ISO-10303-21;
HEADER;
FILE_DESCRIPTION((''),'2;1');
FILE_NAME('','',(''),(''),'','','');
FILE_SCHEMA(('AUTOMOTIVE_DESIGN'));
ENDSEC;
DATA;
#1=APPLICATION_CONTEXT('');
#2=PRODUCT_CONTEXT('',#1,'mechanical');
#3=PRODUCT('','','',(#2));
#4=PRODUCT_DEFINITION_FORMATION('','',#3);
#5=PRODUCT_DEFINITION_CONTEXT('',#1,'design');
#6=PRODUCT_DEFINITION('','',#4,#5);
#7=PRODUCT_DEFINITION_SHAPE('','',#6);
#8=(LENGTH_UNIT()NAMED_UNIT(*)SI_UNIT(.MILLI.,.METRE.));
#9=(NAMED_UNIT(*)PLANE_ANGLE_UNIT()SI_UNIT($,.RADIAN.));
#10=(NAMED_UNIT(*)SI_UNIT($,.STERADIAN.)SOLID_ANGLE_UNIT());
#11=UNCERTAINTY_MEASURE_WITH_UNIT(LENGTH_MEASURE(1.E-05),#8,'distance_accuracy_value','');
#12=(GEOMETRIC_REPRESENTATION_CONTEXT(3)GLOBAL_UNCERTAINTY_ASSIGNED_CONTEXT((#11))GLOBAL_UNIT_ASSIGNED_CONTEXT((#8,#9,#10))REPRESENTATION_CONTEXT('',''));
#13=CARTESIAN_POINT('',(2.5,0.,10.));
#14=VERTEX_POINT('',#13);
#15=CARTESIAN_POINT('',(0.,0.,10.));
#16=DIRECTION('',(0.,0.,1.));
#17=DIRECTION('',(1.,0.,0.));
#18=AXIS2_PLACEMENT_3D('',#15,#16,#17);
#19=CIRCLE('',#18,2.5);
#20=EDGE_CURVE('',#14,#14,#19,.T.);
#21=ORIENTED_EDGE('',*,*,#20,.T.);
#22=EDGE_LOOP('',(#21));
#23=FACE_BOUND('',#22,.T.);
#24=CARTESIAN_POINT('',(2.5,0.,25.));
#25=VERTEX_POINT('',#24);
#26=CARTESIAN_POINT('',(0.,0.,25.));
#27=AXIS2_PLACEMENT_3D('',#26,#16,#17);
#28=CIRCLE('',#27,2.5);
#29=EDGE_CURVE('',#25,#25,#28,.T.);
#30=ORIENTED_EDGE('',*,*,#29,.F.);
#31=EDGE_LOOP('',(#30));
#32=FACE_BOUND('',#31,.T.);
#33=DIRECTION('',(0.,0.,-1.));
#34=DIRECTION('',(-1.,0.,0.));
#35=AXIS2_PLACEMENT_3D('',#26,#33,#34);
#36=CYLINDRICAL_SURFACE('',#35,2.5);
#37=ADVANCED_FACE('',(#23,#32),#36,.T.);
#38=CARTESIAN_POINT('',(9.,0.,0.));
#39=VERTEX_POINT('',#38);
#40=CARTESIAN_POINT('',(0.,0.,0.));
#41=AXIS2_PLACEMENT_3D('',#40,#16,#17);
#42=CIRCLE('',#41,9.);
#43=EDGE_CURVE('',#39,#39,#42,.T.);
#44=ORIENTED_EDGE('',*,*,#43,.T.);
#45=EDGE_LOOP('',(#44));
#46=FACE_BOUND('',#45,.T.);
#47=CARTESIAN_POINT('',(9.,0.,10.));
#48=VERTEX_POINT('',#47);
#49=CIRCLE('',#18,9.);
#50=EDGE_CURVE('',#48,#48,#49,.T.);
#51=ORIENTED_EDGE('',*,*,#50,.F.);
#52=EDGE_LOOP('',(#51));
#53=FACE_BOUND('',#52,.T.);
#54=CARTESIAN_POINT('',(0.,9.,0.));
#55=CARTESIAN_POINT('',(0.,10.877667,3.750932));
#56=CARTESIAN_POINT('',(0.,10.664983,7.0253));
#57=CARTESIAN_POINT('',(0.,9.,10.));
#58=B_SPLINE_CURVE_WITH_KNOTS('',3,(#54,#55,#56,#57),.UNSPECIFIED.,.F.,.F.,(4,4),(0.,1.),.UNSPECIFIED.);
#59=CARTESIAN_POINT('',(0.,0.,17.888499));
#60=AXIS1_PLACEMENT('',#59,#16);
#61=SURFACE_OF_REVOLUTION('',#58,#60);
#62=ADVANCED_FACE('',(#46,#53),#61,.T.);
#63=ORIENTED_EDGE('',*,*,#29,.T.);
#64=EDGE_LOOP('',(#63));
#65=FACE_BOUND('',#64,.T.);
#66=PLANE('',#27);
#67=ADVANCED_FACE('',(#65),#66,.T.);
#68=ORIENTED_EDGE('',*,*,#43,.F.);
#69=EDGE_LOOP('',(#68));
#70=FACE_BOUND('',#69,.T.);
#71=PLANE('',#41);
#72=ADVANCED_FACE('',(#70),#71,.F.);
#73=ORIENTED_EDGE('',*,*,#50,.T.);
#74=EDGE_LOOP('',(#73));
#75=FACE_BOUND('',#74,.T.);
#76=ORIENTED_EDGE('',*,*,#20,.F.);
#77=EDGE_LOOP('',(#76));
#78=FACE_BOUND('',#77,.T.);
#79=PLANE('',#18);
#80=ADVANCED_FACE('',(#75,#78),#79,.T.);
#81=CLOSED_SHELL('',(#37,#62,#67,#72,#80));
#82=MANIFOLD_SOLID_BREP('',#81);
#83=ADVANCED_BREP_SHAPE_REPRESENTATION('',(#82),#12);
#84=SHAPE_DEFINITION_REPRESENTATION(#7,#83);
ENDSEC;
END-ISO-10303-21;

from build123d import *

# Parameters (mm, degrees)
SKETCH1_R           = 9
BOSS_EXTRUDE1_DEPTH = 10
SKETCH3_R           = 2.5
BOSS_EXTRUDE2_DEPTH = 15


with BuildPart() as part:
    # Sketch1 → Boss-Extrude1 (new body)
    with BuildSketch(Plane.XY):
        Circle(SKETCH1_R)
    extrude(amount=BOSS_EXTRUDE1_DEPTH)

    # Sketch2 → Revolve1 (revolve)
    with BuildSketch(Plane(origin=(0, 0, 0), x_dir=(0, 0, -1), z_dir=(1, 0, 0))):
        with BuildLine():
            Line((-10, 9), (0, 9))
            add(Edge.make_bspline(
                [(-10, 9), (-7.025299732, 10.664982645), (-3.75093179, 10.87766674), (0, 9)],
                knots=[0, 0, 0, 0, 1, 1, 1, 1], degree=3))
        make_face()
    revolve(axis=Axis((0, 0, 17.888498858), (0, 0, -1)))

    # Sketch3 → Boss-Extrude2 (add)
    with BuildSketch(Plane.XY.offset(10)):
        Circle(SKETCH3_R)
    extrude(amount=BOSS_EXTRUDE2_DEPTH)


solid = part.part
